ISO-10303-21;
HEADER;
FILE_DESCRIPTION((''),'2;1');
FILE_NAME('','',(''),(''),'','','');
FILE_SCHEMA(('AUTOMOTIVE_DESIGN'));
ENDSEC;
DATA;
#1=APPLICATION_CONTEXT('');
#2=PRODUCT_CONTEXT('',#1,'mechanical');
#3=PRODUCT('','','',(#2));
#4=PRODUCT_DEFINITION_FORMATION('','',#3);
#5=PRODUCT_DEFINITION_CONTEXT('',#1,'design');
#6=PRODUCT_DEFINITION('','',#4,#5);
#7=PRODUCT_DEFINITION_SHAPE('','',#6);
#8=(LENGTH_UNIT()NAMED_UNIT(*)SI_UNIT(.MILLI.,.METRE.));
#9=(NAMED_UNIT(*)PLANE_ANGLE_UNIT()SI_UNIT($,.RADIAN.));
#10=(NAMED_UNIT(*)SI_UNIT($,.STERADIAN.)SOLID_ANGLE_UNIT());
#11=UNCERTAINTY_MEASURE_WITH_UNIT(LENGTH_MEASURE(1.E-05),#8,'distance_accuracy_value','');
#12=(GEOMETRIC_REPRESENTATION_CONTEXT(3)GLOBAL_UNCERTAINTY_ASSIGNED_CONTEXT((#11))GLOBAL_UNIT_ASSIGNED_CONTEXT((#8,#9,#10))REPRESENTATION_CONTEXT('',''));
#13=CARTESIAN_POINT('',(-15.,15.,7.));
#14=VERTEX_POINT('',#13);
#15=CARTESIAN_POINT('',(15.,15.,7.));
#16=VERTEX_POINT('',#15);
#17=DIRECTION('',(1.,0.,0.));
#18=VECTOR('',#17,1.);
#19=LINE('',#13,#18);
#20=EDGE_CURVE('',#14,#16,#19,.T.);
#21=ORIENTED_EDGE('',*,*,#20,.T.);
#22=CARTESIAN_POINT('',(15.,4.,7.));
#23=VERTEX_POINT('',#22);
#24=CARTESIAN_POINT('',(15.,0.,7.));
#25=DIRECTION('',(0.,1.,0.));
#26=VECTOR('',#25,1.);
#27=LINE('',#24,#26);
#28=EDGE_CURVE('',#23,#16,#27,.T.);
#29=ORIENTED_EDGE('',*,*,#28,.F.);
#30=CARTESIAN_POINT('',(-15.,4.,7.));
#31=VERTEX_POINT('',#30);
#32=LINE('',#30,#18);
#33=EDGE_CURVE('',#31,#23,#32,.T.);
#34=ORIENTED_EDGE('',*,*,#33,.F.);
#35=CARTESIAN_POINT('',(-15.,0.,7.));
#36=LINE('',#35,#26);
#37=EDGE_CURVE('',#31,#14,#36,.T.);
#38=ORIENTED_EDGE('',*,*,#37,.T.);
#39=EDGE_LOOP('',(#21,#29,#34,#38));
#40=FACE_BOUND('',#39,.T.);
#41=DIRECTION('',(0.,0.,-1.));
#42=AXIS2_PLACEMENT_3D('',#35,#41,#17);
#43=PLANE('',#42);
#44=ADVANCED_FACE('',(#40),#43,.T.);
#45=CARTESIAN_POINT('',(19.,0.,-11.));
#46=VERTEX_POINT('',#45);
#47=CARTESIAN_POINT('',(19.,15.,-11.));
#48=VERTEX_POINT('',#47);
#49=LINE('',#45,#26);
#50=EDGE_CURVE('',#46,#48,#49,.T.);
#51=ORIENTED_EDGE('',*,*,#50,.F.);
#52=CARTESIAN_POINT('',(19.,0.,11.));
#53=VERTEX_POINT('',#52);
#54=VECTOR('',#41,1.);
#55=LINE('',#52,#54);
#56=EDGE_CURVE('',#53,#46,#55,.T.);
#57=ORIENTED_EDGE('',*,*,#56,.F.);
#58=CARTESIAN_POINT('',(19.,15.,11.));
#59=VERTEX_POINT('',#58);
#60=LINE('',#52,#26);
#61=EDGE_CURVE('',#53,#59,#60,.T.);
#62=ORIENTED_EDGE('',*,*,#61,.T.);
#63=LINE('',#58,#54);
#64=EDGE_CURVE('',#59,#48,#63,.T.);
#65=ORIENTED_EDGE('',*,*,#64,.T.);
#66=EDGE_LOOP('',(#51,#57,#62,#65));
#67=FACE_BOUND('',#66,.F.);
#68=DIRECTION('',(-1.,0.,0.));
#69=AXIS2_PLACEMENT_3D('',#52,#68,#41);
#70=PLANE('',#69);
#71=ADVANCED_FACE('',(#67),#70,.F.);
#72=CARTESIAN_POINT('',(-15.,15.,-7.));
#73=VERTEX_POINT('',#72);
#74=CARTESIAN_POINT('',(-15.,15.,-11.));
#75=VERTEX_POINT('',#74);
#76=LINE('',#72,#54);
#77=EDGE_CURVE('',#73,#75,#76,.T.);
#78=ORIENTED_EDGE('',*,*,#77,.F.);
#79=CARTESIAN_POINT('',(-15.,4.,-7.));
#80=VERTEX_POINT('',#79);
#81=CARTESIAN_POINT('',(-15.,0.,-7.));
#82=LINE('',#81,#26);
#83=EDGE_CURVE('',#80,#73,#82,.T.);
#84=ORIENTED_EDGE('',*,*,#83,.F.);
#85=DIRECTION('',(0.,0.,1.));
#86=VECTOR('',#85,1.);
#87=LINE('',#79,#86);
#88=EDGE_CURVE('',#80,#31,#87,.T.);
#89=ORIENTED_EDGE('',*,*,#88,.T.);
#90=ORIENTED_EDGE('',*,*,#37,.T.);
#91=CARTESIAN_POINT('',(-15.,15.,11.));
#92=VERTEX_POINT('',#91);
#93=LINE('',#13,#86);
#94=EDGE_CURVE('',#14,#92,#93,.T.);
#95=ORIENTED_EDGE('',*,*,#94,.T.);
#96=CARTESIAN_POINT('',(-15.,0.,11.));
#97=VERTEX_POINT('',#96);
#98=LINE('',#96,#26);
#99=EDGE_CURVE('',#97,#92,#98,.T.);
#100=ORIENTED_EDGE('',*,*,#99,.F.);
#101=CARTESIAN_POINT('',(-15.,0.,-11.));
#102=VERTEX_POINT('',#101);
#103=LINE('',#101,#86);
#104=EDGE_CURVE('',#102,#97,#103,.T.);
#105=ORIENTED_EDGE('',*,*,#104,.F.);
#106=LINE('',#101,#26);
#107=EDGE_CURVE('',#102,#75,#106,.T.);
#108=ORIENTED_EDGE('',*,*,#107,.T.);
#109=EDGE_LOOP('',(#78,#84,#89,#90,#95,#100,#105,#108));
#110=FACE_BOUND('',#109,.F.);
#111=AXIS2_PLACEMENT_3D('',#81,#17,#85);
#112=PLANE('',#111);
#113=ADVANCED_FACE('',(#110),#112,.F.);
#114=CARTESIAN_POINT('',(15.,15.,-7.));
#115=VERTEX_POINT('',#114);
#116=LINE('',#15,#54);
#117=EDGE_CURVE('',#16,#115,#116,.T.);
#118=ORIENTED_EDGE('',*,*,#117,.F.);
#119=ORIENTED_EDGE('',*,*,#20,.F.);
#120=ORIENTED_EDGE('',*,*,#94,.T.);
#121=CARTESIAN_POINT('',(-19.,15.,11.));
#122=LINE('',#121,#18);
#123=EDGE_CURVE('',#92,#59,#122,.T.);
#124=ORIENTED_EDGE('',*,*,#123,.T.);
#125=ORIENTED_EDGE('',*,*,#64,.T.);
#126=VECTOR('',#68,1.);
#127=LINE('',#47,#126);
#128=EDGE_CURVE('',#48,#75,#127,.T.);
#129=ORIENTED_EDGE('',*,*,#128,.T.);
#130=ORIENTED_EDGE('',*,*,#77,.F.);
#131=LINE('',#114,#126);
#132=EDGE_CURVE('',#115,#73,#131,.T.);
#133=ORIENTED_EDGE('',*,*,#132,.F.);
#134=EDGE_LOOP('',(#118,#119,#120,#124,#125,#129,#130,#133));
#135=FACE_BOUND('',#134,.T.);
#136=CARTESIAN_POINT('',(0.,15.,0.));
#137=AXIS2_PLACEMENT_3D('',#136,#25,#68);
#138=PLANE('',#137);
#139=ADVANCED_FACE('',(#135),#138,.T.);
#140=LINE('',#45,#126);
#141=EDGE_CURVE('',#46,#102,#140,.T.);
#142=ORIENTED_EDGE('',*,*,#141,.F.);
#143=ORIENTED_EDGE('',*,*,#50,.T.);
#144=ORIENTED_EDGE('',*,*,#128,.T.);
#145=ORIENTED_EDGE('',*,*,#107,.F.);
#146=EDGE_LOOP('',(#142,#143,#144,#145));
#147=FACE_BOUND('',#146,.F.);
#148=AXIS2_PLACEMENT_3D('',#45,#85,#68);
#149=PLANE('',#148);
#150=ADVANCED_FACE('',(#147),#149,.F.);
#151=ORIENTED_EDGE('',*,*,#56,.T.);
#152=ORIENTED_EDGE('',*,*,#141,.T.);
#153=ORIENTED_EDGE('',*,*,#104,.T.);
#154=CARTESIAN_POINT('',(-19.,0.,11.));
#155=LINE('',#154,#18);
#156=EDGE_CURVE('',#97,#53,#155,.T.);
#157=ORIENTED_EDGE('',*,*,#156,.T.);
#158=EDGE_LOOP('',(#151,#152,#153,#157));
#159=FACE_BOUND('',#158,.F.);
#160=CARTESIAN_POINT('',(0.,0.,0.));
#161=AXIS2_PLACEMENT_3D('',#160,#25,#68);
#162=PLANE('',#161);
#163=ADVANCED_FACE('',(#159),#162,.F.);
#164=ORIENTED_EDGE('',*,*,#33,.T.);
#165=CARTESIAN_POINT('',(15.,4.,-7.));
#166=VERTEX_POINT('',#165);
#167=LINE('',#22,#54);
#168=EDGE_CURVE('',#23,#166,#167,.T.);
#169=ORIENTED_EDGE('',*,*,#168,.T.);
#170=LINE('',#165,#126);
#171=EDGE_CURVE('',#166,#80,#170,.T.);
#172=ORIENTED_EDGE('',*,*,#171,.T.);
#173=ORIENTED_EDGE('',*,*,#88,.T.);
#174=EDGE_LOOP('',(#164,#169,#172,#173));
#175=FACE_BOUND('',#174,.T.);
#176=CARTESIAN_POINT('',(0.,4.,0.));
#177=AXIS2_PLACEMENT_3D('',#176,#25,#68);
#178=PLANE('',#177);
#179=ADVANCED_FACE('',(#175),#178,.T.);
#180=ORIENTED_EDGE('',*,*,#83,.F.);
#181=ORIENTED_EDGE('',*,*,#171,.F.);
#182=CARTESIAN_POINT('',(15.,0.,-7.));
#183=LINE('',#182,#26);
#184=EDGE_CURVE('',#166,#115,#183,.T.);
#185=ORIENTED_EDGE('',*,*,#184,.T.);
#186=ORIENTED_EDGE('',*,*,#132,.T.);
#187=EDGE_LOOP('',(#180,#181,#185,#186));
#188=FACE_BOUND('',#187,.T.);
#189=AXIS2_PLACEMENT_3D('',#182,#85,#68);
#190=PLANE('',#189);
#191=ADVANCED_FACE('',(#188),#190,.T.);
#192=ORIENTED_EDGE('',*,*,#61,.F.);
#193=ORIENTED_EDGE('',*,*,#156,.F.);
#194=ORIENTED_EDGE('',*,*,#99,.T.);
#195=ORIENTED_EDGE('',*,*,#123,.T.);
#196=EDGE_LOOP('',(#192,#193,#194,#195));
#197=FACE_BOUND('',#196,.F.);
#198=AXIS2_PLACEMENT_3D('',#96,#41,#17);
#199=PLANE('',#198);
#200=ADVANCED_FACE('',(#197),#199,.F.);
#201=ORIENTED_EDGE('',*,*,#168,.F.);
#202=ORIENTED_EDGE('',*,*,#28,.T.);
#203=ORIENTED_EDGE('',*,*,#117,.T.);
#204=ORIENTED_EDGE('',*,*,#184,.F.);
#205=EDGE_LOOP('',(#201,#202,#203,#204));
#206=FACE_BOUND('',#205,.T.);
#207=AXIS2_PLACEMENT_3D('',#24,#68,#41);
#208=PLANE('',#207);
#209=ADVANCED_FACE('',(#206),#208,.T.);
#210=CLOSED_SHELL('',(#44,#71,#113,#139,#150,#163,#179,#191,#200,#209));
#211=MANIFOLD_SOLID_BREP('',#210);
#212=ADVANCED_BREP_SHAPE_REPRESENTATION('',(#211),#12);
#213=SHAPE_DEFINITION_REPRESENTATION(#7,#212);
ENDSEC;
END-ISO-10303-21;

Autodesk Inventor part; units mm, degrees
ref_plane "YZ Plane" through (0, 0, 0) normal (1, 0, 0) x (0, 1, 0)
ref_plane "XZ Plane" through (0, 0, 0) normal (0, 1, 0) x (-1, 0, 0)
ref_plane "XY Plane" through (0, 0, 0) normal (0, 0, 1) x (1, 0, 0)
sketch "Sketch1" plane through (0, 0, 0) normal (0, 1, 0) x (-1, 0, 0)
  line L0 (-15, 7) -> (-15, -7)
  line L1 (-15, -7) -> (15, -7)
  line L2 (15, -7) -> (15, 7)
  line L3 (15, 7) -> (-15, 7)
  line L4 (-15, 7) -> (15, -7) construction
  line L5 (-15, -7) -> (15, 7) construction
  line L6 (-19, 11) -> (-19, -11)
  line L7 (-19, -11) -> (19, -11)
  line L8 (19, -11) -> (19, 11)
  line L9 (19, 11) -> (-19, 11)
  line L10 (15, 7) -> (15, 11)
  line L11 (15, -7) -> (15, -11)
  point P0 (0, 0)
  dimension "d0" = 14
  dimension "d1" = 30
  dimension "d2" = 4
extrude "Extrusion1" add sketch "Sketch1" along normal blind 15 contours L0 L1 L11 L7 L6 L9 L10 L3
extrude "Extrusion2" add sketch "Sketch1" along normal blind 4 contours L3 L2 L1 L0
properties part number "Solenoid Mount"
